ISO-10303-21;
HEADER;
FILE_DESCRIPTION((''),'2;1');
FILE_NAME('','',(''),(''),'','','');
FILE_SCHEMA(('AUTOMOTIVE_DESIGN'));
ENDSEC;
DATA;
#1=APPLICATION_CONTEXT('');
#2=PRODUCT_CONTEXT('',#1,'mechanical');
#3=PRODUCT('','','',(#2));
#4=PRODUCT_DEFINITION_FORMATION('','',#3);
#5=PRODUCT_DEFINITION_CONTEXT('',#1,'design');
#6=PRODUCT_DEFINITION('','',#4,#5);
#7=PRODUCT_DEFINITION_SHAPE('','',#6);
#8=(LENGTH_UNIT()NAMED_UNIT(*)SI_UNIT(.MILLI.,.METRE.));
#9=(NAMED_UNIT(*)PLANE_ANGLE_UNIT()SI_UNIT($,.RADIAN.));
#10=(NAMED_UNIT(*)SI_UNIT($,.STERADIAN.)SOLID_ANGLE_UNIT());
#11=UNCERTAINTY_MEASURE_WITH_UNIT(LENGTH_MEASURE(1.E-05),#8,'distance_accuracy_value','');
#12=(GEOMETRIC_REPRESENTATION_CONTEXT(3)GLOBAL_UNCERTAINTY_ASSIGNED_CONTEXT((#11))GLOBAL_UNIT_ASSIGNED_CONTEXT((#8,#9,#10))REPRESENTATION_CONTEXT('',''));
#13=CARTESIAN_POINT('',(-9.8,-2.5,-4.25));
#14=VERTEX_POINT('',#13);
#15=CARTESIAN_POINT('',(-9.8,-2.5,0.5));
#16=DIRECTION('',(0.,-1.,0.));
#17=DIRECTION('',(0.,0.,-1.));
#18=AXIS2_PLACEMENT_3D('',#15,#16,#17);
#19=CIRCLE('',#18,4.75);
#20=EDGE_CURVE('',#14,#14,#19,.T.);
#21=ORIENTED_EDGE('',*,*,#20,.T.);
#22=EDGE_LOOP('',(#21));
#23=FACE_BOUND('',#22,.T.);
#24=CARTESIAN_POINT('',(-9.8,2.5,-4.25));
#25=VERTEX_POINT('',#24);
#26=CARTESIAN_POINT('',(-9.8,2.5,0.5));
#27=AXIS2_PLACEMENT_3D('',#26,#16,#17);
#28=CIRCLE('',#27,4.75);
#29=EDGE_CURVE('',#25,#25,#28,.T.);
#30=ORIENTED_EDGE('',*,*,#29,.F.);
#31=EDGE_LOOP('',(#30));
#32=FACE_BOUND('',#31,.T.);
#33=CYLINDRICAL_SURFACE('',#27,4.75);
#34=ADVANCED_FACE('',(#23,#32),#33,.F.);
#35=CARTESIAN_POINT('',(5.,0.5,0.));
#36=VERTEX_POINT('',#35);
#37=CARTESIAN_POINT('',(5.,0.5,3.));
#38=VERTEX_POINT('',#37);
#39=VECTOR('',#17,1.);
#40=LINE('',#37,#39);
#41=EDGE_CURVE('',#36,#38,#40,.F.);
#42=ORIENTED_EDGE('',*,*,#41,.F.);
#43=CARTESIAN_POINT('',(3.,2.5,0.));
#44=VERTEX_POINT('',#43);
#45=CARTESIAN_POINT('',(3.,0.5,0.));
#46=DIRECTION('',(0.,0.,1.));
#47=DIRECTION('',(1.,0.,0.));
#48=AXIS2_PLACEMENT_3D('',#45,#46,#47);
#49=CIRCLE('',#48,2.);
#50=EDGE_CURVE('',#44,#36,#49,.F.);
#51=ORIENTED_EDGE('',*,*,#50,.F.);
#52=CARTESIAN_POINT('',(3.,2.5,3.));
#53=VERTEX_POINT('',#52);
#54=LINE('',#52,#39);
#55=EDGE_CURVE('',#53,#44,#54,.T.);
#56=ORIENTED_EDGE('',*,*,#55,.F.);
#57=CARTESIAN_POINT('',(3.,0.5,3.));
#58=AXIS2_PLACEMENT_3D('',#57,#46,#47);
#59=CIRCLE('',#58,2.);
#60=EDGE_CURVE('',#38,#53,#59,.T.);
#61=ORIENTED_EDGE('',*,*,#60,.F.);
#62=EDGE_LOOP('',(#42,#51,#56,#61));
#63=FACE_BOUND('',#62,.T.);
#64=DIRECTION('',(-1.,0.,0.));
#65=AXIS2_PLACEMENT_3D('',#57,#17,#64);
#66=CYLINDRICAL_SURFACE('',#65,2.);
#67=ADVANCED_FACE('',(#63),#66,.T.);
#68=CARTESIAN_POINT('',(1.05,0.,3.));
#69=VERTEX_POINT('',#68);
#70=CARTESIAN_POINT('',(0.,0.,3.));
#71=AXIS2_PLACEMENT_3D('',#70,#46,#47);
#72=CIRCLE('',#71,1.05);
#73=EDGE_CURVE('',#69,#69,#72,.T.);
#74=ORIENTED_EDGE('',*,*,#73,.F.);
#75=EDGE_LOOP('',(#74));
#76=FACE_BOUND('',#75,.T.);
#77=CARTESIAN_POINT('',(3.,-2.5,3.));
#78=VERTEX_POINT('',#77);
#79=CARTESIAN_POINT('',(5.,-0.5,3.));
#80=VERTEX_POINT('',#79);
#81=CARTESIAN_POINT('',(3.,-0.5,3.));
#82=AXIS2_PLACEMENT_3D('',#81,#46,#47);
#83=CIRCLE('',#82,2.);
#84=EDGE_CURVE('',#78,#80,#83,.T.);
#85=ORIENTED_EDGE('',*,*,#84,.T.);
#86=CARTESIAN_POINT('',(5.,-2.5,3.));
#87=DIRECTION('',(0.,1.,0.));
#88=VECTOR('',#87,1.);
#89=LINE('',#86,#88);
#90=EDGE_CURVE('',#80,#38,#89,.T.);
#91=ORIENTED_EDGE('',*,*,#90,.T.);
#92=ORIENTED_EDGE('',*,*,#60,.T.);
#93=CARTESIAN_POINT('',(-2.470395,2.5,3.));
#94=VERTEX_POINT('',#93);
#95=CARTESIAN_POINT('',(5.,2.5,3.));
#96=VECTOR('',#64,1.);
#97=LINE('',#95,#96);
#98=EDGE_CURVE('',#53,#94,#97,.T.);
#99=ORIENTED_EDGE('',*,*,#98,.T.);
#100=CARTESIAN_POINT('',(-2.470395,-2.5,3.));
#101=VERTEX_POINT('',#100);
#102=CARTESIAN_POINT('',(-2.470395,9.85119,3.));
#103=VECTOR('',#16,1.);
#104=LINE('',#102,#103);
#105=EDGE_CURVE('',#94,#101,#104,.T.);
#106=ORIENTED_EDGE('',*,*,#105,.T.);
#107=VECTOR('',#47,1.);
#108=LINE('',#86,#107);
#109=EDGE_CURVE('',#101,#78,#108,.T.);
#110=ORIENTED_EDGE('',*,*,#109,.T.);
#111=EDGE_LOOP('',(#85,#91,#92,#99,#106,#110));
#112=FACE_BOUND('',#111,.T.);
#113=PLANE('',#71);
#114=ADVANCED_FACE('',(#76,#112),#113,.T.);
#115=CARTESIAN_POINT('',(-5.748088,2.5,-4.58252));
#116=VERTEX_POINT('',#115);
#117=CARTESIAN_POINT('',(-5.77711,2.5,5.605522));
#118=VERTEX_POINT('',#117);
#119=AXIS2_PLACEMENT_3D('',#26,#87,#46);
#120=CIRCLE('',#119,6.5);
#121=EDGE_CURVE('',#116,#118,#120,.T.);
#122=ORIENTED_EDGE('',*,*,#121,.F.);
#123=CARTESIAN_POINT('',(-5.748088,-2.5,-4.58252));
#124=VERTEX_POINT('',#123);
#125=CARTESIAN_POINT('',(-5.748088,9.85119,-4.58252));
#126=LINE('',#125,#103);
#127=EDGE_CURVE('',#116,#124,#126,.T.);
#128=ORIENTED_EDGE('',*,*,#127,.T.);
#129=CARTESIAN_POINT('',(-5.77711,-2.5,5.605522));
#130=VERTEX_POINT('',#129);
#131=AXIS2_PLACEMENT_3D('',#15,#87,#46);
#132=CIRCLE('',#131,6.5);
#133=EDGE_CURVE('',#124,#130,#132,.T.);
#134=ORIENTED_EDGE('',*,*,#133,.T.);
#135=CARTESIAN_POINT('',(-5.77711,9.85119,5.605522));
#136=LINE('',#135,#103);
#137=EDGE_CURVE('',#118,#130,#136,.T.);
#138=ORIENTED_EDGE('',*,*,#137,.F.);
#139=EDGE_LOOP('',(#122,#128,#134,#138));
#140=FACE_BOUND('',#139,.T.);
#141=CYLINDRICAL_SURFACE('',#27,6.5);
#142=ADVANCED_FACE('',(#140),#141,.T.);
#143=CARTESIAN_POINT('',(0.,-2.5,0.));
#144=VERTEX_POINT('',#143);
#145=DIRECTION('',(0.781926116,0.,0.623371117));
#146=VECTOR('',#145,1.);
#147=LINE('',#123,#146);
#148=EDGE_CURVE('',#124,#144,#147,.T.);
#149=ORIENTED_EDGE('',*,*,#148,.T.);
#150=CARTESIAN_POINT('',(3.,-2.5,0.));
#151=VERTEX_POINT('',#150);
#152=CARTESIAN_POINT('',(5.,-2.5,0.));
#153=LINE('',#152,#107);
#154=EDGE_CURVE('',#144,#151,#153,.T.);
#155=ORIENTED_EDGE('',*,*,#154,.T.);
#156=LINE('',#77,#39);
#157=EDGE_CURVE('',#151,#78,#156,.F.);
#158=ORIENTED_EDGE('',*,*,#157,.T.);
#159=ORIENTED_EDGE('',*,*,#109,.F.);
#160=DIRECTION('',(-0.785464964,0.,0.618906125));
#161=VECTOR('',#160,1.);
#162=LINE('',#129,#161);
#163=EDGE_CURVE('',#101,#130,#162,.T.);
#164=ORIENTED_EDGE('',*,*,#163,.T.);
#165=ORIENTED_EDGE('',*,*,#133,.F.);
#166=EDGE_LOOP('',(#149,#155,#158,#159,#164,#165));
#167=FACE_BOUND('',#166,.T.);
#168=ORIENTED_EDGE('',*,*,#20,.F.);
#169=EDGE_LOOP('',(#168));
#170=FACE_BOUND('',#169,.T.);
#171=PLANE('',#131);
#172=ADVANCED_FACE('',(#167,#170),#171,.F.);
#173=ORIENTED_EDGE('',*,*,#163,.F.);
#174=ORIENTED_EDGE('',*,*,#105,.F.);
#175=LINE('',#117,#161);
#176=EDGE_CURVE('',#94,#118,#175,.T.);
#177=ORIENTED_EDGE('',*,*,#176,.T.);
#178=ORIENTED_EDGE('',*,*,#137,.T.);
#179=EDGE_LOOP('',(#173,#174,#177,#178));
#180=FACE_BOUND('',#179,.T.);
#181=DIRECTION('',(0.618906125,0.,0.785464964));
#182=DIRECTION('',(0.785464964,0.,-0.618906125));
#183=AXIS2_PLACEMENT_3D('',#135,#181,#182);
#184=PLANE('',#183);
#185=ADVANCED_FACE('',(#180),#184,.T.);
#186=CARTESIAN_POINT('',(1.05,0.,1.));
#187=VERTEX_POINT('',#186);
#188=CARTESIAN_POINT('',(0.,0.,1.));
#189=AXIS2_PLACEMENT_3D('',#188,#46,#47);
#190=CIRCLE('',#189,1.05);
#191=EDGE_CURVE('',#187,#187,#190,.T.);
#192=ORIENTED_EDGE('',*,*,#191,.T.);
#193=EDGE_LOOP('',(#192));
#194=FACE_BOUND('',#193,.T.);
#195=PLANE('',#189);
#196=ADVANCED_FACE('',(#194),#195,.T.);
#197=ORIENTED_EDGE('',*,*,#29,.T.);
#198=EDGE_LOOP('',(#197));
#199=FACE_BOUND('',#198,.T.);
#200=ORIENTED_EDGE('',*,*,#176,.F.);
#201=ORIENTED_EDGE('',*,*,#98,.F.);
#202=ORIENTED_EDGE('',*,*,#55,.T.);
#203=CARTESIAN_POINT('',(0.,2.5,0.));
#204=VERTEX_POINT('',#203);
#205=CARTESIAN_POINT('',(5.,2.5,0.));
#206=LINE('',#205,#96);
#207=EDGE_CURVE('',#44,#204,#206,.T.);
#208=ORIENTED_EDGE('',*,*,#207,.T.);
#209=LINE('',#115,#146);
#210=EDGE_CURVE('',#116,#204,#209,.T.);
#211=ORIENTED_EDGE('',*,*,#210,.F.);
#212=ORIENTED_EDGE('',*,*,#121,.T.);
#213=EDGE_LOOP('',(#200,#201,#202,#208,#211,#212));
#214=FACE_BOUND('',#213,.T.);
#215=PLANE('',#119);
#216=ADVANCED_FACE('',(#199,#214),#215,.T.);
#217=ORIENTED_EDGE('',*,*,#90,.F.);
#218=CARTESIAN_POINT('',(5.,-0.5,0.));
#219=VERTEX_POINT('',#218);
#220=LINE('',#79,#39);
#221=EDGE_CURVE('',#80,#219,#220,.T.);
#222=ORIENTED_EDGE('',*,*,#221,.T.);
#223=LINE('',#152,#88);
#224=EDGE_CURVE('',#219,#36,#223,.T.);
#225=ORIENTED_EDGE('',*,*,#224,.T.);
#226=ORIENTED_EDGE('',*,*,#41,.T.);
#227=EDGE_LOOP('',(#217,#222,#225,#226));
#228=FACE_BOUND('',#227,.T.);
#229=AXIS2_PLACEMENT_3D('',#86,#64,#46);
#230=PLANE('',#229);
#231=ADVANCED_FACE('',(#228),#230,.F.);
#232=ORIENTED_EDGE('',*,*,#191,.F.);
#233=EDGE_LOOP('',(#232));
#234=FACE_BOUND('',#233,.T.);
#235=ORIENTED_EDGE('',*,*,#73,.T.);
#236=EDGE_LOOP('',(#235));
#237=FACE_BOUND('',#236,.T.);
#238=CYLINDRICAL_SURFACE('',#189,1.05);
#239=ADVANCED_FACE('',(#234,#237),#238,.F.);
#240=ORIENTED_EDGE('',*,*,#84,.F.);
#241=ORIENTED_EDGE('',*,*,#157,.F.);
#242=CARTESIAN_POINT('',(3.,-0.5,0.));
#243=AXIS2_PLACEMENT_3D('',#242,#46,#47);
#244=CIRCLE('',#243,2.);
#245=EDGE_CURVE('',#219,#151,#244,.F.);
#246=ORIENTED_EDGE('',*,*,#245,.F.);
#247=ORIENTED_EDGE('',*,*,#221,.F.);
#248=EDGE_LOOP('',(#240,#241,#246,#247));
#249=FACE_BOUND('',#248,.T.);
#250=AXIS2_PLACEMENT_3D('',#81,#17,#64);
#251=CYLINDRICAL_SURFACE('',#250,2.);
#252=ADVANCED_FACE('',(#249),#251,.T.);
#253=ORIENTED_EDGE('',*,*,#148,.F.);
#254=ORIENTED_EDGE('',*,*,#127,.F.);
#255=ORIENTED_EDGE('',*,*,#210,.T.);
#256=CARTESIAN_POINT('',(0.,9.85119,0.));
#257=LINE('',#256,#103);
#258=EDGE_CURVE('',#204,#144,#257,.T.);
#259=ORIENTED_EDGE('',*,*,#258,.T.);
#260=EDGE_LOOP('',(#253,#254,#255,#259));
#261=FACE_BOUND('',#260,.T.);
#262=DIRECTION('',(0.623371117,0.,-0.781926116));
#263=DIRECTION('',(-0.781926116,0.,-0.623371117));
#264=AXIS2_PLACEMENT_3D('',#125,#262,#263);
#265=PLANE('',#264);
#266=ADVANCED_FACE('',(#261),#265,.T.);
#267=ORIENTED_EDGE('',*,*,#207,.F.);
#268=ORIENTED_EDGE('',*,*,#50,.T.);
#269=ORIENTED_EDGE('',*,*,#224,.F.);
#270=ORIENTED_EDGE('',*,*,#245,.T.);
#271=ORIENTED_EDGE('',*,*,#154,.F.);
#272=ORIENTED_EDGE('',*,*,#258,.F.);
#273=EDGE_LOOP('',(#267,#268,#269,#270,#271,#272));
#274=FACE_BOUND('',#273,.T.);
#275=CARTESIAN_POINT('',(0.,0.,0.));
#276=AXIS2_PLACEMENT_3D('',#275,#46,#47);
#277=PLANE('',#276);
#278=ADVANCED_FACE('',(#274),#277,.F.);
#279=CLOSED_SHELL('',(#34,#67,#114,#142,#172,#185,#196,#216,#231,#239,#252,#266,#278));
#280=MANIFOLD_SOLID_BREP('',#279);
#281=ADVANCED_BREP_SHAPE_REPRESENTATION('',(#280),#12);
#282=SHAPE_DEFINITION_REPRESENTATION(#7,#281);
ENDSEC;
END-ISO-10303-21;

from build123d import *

# Parameters (mm, degrees)
SKETCH1_W           = 10
SKETCH1_H           = 5
BOSS_EXTRUDE1_DEPTH = 3
FILLET1_R           = 2
SKETCH3_R           = 6.5
BOSS_EXTRUDE2_DEPTH = 2.5
SKETCH4_R           = 4.75
CUT_EXTRUDE1_DEPTH  = 6
SKETCH7_R           = 1.05
CUT_EXTRUDE2_DEPTH  = 2
BOSS_EXTRUDE3_DEPTH = 5


with BuildPart() as part:
    # Sketch1 → Boss-Extrude1 (new body)
    with BuildSketch(Plane.XY):
        Rectangle(SKETCH1_W, SKETCH1_H)
    extrude(amount=BOSS_EXTRUDE1_DEPTH)

    # Fillet1
    fillet1_edges = [part.edges().sort_by_distance(p)[0] for p in [
        (5, 2.5, 1.5),
        (5, -2.5, 1.5),
    ]]
    fillet(fillet1_edges, radius=FILLET1_R)

    # Sketch7 → Cut-Extrude2 (cut)
    with BuildSketch(Plane.XY.offset(3)):
        Circle(SKETCH7_R)
    extrude(amount=-CUT_EXTRUDE2_DEPTH, mode=Mode.SUBTRACT)



with BuildPart() as body_2:
    # Sketch3 → Boss-Extrude2 (new body, symmetric)
    with BuildSketch(Plane(origin=(0, 0, 0), x_dir=(1, 0, 0), z_dir=(0, 1, 0))):
        with Locations((-9.8, -0.5)):
            Circle(SKETCH3_R)
    extrude(amount=BOSS_EXTRUDE2_DEPTH, both=True)

    # Sketch4 → Cut-Extrude1 (cut, through all)
    with BuildSketch(Plane.XZ.offset(2.5)):
        with Locations((-9.8, 0.5)):
            Circle(SKETCH4_R)
    extrude(amount=-CUT_EXTRUDE1_DEPTH, mode=Mode.SUBTRACT)


with BuildPart() as part_1:
    add(part.part)

    add(body_2.part)  # Boss-Extrude3 merges body 2
    # Sketch8 → Boss-Extrude3 (add)
    with BuildSketch(Plane.XZ.offset(2.5)):
        with BuildLine():
            Line((-5.77711019, 5.605522263), (-2.470394732, 3))
            Line((-2.470394732, 3), (-3.8, 3))
            ThreePointArc((-3.8, 3), (-4.621992024, 4.42915174), (-5.77711019, 5.605522263))
        make_face()
        with BuildLine():
            Line((-5.748087743, -4.582519755), (0, 0))
            Line((0, 0), (-3.319259302, 0))
            ThreePointArc((-3.319259302, 0), (-4.056824363, -2.543999606), (-5.748087743, -4.582519755))
        make_face()
    extrude(amount=-BOSS_EXTRUDE3_DEPTH)


solid = part_1.part
